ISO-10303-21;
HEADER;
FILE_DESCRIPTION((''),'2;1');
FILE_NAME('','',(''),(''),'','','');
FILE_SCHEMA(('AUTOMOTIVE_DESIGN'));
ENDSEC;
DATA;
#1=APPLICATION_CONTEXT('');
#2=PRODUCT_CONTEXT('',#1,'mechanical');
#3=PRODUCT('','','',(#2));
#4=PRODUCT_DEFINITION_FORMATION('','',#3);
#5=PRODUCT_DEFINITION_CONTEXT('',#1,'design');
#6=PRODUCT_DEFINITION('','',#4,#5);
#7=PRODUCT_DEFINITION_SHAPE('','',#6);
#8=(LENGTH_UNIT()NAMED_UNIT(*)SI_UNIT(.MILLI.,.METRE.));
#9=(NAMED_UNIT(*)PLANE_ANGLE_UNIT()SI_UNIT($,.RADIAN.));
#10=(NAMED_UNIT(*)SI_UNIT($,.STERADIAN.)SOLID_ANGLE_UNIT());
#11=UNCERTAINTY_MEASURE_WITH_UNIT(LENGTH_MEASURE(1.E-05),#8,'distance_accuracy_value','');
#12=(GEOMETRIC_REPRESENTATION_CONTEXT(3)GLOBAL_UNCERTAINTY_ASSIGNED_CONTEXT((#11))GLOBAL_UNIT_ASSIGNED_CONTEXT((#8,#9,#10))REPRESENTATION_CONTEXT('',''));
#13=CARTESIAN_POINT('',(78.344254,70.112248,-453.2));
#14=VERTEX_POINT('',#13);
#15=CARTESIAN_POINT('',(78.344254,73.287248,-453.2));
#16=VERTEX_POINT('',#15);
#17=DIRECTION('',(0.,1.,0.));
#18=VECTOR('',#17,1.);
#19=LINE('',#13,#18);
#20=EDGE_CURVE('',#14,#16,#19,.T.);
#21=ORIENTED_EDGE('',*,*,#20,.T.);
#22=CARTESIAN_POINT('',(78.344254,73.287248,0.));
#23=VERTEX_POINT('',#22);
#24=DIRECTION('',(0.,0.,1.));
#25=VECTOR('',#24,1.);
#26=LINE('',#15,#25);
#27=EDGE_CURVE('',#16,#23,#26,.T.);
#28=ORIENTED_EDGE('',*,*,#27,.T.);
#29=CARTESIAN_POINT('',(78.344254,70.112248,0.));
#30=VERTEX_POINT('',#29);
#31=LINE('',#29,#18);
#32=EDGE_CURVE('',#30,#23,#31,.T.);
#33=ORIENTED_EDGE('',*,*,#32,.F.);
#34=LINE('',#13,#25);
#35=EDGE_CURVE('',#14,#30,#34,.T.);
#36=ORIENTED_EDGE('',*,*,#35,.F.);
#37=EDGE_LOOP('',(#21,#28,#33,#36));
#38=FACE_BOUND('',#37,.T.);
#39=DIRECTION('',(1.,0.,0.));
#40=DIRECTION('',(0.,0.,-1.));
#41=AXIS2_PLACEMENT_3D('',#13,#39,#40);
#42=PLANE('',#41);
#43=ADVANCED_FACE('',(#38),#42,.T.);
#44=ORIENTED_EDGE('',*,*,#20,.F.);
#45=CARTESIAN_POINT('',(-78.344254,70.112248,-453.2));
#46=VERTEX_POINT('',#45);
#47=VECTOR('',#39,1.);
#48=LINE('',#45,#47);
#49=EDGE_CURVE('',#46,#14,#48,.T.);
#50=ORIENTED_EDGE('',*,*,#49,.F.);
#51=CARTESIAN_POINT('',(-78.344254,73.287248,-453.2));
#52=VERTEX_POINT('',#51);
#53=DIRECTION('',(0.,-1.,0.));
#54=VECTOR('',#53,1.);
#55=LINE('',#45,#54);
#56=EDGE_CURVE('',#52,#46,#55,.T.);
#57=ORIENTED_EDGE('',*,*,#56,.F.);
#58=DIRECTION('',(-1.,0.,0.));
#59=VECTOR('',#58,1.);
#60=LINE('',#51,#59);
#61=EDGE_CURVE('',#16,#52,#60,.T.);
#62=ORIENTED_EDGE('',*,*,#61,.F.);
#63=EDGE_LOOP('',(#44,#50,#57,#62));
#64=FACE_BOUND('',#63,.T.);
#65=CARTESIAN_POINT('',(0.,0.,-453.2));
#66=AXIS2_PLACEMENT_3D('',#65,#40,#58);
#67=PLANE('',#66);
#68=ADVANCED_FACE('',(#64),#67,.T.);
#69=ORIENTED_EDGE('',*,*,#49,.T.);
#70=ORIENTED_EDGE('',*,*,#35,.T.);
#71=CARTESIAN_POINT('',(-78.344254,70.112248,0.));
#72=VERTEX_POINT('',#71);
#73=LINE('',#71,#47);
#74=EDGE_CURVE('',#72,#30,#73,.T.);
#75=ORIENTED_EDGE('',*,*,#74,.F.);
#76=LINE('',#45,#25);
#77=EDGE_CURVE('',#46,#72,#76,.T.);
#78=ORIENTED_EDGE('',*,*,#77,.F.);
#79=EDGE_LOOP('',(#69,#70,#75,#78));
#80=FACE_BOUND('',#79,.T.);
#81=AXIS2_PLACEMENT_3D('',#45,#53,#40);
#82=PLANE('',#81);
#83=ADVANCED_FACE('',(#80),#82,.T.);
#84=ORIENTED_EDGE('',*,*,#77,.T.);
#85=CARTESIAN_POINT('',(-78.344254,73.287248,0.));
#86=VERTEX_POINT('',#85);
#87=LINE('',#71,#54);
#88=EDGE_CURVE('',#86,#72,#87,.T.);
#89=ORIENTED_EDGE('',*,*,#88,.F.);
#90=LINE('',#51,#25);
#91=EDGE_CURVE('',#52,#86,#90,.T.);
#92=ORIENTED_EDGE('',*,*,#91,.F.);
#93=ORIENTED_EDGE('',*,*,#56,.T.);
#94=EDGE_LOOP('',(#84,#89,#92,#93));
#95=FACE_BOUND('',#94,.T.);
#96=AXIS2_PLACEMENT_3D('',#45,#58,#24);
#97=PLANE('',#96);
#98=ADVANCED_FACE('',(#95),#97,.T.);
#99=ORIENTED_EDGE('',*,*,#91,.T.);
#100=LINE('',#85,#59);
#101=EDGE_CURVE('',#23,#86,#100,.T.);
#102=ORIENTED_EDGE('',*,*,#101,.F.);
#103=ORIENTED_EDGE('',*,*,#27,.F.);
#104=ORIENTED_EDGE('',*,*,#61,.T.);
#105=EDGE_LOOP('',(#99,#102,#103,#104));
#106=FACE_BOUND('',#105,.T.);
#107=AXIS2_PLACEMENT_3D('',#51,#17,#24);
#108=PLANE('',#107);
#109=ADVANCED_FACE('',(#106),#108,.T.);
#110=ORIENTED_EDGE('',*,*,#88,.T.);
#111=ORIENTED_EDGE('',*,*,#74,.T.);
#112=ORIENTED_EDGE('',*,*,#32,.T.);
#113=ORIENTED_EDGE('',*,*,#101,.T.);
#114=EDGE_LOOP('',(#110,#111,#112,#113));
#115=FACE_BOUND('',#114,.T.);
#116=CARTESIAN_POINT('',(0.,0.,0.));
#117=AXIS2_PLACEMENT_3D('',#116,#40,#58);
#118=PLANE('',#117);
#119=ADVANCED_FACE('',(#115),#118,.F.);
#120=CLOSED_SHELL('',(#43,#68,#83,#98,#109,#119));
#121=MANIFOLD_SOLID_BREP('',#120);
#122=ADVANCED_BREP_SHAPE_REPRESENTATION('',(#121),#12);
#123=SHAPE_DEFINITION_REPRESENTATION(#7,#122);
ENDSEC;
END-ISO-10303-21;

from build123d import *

# Parameters (mm, degrees)
SKETCH1_W           = 156.688508546
SKETCH1_H           = 3.175
BOSS_EXTRUDE1_DEPTH = 453.2


with BuildPart() as part:
    # Sketch1 → Boss-Extrude1 (new body)
    with BuildSketch(Plane.XY):
        with Locations((0, 71.699747591)):
            Rectangle(SKETCH1_W, SKETCH1_H)
    extrude(amount=-BOSS_EXTRUDE1_DEPTH)


solid = part.part
